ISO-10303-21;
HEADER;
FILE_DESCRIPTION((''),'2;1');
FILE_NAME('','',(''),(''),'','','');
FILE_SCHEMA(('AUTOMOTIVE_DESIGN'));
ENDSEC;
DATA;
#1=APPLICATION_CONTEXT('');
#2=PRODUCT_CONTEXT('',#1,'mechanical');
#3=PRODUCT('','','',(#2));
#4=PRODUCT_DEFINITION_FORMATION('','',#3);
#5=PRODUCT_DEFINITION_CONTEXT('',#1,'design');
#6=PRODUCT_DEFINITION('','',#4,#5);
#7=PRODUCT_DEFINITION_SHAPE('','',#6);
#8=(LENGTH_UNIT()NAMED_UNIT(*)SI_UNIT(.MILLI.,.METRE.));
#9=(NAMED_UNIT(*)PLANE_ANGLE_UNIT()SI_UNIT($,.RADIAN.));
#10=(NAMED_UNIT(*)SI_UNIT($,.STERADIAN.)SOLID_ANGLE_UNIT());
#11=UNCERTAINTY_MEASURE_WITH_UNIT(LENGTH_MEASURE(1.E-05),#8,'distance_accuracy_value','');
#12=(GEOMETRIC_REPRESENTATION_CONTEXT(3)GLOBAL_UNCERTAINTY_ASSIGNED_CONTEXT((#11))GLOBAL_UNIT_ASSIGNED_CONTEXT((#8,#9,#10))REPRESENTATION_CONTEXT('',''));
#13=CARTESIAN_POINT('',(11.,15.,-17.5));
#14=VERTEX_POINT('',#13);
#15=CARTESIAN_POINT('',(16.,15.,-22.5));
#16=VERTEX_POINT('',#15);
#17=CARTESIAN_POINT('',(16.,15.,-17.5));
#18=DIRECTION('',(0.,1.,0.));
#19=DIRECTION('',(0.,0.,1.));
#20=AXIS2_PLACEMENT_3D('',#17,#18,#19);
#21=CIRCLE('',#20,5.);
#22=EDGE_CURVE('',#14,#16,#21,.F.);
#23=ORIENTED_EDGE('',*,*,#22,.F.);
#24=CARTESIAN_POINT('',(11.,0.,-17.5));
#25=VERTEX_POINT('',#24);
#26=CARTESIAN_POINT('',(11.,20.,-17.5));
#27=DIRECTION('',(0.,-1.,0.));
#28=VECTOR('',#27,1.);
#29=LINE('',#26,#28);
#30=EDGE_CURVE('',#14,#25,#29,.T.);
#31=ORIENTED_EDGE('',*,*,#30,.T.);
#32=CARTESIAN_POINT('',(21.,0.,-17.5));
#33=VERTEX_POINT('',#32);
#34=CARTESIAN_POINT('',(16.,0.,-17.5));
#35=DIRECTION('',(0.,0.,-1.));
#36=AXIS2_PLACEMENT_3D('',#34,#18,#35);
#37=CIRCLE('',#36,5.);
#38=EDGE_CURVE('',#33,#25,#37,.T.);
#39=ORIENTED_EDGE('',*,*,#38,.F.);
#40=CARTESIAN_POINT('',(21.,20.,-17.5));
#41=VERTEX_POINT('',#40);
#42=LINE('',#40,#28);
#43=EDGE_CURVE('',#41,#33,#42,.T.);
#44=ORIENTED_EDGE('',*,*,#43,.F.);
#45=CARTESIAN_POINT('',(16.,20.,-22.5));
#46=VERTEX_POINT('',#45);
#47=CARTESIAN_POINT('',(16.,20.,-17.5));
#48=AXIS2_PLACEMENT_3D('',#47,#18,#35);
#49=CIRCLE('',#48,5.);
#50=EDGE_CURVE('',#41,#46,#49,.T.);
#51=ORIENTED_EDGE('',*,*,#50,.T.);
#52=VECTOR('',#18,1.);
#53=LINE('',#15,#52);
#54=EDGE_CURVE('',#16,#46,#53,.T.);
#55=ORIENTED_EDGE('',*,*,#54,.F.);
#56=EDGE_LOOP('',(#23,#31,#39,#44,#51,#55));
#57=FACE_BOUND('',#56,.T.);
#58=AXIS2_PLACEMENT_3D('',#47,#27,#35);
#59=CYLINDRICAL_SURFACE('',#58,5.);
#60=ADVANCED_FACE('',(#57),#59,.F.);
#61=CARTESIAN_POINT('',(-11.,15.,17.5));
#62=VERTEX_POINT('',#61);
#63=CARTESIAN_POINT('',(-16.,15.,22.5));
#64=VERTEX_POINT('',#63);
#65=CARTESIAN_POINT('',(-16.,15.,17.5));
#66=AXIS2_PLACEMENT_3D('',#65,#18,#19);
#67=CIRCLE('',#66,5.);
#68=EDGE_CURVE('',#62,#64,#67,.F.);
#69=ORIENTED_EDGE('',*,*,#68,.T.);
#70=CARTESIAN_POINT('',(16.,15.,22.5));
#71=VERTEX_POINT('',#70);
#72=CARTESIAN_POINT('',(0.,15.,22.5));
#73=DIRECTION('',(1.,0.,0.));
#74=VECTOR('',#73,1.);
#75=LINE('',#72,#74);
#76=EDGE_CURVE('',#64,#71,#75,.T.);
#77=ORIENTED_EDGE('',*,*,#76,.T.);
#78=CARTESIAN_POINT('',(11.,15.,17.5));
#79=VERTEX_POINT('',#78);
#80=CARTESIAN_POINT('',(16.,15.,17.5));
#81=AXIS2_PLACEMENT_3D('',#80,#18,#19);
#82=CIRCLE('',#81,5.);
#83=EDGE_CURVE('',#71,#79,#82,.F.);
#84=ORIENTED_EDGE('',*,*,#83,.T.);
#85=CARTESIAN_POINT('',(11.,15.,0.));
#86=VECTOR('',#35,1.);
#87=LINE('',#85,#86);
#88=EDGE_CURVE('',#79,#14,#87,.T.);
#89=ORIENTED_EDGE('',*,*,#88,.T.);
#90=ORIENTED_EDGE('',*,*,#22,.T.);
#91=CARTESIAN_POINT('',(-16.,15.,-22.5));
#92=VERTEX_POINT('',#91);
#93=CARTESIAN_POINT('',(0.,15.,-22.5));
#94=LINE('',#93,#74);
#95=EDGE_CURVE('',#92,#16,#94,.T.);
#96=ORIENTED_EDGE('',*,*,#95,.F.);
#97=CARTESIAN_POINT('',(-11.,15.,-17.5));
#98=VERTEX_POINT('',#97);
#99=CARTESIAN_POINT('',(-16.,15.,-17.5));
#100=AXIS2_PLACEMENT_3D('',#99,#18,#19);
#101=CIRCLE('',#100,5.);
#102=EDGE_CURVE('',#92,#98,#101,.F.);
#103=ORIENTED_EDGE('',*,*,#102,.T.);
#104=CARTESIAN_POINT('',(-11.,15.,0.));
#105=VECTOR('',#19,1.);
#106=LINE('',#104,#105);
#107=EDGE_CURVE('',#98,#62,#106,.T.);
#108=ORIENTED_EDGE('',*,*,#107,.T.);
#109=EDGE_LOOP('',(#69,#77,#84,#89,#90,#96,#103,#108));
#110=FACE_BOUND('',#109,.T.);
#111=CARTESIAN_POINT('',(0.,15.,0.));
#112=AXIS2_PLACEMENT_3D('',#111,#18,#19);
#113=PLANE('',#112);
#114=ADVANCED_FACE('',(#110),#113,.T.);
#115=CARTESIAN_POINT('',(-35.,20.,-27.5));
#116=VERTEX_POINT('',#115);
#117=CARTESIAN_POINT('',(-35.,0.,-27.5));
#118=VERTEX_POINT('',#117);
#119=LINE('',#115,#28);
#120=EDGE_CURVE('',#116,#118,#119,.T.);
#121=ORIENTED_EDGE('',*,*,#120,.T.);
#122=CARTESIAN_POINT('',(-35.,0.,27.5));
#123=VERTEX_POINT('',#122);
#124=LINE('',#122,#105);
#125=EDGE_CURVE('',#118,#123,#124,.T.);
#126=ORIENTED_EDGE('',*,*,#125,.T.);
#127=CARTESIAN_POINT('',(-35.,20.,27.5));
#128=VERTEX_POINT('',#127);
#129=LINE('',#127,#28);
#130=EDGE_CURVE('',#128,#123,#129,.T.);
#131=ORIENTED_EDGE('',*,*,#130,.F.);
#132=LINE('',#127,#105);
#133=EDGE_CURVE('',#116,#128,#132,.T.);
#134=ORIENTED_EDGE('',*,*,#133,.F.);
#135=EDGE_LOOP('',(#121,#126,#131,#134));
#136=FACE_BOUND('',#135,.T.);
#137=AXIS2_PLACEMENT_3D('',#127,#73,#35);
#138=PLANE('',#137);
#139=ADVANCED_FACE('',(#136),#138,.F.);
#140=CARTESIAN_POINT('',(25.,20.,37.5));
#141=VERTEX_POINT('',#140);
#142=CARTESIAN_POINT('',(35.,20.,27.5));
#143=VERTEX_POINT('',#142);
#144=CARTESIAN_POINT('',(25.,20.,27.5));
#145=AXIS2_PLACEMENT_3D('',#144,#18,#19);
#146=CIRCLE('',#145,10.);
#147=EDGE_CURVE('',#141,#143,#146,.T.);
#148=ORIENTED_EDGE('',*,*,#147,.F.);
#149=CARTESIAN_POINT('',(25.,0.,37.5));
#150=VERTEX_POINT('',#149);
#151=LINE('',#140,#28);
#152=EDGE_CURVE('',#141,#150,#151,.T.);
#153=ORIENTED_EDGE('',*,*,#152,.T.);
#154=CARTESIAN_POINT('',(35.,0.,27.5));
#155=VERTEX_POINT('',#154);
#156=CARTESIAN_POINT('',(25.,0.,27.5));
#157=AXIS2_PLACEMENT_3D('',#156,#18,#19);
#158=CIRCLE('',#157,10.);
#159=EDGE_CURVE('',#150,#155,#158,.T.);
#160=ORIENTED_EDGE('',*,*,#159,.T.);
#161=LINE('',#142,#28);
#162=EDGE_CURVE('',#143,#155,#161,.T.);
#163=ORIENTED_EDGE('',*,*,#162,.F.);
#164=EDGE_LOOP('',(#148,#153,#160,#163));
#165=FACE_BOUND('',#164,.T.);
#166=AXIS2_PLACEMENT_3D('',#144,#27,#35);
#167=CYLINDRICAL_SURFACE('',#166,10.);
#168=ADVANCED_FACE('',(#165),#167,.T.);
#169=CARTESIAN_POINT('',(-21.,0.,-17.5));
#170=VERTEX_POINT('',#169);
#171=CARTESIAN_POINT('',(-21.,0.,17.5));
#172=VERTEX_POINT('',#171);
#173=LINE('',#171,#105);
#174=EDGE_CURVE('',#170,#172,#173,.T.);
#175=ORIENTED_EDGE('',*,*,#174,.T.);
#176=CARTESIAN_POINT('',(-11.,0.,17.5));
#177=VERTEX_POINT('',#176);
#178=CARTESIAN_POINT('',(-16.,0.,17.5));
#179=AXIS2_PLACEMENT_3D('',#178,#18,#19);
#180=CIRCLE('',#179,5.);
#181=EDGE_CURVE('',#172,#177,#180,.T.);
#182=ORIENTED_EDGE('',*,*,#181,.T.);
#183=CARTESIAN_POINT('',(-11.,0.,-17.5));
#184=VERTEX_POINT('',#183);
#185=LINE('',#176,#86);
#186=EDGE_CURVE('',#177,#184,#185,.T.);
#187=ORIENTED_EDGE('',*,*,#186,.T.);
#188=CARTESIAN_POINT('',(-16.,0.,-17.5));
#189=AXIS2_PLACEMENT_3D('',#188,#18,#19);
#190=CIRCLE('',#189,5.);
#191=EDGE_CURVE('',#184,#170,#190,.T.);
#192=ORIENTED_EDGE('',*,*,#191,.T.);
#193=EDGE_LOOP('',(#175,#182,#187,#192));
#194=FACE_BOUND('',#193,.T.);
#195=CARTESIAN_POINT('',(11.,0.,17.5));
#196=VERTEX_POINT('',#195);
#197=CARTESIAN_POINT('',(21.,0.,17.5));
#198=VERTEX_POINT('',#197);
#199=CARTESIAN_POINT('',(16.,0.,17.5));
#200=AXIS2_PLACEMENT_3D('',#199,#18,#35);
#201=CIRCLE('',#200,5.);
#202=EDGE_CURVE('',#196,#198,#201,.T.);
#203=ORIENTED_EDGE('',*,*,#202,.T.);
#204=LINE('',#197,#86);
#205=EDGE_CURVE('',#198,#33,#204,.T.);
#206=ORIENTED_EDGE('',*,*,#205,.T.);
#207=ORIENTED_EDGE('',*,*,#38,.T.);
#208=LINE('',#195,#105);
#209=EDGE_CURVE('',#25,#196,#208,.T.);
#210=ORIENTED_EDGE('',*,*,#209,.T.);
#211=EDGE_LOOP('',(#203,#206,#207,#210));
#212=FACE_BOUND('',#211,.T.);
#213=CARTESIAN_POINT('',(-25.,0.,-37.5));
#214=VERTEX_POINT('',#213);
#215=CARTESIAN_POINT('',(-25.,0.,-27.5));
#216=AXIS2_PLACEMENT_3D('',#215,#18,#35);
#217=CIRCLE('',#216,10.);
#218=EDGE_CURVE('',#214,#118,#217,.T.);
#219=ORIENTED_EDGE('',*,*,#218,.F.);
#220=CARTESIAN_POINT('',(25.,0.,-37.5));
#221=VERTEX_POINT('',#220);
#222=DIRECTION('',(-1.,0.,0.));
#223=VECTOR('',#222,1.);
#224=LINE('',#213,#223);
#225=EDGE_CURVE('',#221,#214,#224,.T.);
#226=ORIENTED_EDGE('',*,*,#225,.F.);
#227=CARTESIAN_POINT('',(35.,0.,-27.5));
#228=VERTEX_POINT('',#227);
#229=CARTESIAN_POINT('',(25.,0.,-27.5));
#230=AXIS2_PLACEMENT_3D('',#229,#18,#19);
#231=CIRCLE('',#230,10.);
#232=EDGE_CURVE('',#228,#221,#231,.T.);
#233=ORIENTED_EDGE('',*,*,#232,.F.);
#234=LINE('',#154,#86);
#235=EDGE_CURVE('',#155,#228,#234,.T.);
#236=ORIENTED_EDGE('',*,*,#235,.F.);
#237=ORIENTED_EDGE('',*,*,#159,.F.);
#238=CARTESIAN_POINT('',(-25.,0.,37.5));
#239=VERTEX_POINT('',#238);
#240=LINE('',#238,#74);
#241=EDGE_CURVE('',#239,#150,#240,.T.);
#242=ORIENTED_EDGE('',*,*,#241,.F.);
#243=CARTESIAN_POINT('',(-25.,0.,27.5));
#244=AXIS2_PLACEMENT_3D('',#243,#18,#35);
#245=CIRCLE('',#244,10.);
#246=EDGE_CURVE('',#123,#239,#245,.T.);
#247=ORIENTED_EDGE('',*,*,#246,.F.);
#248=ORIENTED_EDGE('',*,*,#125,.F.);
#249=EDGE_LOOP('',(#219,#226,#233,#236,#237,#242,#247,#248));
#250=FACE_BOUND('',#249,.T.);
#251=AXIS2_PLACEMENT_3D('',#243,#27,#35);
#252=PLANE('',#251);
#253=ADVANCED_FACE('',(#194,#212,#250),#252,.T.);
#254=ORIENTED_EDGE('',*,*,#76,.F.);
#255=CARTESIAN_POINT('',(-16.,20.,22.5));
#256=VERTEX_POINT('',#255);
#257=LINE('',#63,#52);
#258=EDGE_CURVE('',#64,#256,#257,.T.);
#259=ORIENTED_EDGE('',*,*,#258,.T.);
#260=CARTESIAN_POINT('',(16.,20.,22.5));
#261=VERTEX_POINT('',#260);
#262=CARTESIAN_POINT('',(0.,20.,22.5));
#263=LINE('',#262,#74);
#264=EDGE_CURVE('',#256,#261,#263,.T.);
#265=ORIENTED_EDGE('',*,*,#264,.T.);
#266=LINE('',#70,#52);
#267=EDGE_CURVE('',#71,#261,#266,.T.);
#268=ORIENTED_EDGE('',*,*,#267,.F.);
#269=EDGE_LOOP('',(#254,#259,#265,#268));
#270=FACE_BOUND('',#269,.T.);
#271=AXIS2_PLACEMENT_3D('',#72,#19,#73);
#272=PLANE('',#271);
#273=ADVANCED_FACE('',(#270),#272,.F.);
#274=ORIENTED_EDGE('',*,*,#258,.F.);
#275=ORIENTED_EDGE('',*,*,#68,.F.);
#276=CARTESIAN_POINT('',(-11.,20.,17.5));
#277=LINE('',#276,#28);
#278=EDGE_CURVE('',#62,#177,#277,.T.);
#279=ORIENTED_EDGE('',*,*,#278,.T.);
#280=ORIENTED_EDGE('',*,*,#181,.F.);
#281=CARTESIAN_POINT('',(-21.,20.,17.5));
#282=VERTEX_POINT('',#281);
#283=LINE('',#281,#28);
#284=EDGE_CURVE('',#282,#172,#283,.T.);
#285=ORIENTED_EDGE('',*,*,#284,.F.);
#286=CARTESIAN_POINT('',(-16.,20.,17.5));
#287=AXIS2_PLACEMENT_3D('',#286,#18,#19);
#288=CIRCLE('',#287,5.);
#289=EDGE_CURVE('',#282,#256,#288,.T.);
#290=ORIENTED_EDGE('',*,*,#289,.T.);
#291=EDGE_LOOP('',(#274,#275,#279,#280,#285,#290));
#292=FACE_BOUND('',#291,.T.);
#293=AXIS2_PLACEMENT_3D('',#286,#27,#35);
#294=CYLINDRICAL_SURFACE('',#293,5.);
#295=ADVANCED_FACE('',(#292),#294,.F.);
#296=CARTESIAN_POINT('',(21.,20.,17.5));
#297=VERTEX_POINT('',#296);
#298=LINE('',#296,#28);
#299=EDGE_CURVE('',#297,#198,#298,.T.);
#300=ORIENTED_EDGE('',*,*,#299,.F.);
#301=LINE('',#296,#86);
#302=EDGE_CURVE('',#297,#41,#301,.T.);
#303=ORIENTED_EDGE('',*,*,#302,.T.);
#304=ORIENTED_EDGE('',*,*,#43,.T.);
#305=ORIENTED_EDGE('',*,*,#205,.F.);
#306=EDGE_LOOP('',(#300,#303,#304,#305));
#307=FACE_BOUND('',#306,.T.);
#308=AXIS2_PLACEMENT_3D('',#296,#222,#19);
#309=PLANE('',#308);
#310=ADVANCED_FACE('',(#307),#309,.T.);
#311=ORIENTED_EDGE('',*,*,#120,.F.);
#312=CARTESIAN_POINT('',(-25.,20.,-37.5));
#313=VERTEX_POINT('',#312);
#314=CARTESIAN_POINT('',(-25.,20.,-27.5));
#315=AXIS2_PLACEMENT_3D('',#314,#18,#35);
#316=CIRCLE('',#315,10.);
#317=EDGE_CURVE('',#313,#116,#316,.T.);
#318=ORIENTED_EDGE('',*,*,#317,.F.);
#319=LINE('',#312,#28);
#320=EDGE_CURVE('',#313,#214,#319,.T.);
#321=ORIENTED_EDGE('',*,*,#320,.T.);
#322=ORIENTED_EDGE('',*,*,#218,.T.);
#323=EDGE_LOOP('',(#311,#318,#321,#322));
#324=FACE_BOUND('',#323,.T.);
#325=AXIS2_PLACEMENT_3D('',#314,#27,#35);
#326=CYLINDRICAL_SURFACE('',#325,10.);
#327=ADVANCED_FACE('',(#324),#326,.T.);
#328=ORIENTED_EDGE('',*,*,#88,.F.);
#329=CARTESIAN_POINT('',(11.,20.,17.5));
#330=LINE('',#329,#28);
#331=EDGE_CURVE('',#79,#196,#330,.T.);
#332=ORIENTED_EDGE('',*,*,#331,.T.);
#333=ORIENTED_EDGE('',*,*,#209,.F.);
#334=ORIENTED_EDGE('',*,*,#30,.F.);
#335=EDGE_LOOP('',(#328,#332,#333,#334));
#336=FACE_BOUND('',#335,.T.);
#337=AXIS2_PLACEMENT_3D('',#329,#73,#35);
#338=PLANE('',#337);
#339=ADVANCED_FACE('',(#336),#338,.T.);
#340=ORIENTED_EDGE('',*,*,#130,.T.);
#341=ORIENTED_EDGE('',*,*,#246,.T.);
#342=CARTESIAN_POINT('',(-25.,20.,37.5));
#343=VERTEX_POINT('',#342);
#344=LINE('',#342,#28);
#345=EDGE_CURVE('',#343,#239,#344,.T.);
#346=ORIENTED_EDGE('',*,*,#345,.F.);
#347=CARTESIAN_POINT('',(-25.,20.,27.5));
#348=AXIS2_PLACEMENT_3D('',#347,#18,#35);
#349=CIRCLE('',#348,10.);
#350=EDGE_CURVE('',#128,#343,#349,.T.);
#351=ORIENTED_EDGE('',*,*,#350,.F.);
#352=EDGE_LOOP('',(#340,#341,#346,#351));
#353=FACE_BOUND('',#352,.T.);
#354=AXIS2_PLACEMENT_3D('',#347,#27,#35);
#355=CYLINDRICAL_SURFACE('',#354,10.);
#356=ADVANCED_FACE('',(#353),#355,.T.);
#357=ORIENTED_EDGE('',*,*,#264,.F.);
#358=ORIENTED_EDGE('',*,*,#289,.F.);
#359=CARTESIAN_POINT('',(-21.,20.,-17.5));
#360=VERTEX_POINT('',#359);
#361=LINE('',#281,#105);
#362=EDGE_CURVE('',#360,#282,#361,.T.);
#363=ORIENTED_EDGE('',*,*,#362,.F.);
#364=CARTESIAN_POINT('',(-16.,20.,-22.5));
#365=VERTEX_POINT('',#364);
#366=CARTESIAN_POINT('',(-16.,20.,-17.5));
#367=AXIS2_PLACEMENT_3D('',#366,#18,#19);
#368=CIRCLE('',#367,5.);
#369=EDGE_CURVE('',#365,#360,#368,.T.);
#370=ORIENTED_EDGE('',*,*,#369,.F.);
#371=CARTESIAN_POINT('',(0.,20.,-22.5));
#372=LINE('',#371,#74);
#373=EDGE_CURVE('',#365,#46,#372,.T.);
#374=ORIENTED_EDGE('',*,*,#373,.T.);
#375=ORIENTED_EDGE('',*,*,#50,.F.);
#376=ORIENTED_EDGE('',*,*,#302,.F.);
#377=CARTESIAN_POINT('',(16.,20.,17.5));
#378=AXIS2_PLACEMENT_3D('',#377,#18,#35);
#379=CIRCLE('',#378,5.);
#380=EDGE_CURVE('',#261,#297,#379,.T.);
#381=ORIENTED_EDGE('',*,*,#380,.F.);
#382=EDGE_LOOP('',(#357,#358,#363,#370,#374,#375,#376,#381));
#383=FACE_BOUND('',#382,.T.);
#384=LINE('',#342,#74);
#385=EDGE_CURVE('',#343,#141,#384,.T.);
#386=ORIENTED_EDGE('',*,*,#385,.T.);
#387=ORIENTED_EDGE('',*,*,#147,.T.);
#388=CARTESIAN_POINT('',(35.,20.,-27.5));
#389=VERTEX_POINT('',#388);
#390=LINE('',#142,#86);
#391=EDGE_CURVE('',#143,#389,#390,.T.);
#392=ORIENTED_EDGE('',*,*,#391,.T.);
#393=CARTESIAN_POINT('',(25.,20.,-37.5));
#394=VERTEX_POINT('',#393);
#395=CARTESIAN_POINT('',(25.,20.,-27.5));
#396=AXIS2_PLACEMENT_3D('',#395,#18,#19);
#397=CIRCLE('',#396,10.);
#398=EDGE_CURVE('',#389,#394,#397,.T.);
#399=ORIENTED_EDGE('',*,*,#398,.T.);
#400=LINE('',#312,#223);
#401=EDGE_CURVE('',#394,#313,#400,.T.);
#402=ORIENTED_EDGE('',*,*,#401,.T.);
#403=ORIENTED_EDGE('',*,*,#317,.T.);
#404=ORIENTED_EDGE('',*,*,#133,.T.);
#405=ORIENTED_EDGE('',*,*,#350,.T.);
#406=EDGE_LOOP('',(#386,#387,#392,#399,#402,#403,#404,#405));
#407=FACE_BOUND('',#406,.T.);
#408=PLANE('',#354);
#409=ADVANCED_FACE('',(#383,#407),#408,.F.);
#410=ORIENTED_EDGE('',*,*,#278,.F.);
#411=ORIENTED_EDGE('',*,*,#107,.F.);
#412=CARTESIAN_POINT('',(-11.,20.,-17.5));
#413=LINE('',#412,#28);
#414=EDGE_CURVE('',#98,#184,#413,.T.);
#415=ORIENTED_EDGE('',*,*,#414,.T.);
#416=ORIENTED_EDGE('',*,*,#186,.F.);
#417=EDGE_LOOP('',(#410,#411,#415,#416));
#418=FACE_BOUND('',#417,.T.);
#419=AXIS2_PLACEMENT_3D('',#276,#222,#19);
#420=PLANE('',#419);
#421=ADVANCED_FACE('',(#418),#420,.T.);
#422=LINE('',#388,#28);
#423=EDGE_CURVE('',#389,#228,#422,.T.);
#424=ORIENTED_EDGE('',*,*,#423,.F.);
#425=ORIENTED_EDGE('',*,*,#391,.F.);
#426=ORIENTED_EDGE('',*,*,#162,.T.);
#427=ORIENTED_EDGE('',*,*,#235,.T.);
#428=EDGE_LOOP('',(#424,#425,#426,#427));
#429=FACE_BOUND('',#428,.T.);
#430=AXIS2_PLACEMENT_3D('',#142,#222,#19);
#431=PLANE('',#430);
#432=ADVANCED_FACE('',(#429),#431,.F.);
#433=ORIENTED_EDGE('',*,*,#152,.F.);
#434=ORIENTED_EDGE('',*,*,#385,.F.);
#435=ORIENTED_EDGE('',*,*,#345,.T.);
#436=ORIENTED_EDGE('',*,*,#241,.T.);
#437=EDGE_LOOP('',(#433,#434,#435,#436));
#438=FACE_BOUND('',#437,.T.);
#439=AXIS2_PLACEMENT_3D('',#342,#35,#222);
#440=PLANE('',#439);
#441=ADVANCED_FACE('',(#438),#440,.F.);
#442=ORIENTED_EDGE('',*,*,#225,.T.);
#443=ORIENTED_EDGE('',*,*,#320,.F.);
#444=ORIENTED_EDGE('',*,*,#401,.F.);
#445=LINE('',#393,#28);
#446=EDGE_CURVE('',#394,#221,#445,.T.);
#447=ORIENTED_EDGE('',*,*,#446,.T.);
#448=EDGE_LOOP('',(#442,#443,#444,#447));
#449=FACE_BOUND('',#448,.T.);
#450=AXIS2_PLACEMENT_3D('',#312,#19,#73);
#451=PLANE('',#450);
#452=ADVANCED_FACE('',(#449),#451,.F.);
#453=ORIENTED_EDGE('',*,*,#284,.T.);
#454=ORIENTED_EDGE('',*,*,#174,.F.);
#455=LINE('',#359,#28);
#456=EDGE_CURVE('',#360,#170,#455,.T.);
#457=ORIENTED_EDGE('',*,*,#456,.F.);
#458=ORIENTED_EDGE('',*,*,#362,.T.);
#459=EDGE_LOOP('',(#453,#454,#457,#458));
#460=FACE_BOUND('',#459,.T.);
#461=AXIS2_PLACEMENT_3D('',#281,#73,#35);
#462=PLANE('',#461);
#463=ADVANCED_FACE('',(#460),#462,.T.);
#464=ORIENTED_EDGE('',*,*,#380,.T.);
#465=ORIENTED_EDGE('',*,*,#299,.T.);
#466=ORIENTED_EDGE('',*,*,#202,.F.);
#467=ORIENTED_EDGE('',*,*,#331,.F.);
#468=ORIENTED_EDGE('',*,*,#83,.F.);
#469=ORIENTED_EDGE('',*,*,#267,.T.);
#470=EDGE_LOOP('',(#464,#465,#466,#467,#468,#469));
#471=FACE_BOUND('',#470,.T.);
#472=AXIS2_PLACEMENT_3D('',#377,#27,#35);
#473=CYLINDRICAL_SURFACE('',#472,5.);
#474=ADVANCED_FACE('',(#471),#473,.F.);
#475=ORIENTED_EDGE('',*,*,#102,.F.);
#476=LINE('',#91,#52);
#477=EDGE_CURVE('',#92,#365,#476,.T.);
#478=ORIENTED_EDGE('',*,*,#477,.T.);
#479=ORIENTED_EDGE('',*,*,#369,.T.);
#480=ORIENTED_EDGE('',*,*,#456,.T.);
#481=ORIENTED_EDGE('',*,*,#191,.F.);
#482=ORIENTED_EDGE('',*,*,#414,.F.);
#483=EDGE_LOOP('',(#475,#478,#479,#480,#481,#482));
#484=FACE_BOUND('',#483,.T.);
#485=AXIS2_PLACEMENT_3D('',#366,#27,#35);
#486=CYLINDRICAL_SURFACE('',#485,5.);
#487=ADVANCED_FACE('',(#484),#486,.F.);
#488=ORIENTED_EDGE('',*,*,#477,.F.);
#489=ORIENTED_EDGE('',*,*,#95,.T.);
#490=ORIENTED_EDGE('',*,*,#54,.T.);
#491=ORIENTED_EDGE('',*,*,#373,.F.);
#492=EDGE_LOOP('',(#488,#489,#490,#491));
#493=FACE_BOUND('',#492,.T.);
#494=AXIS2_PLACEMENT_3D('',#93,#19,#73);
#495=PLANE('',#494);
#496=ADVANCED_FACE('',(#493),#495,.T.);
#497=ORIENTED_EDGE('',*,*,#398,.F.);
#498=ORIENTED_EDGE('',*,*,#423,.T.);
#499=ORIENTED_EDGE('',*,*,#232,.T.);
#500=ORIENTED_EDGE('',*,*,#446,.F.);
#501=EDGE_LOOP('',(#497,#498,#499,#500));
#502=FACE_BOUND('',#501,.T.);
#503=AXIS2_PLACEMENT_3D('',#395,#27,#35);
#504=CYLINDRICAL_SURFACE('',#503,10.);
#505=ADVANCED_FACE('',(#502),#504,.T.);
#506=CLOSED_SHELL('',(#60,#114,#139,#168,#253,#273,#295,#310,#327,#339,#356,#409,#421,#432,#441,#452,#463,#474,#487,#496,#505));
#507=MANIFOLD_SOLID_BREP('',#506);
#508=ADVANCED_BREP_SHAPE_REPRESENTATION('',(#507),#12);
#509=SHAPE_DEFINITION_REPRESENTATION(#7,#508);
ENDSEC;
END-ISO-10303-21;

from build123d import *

# Parameters (mm, degrees)
BOSS_EXTRUDE1_DEPTH = 20
CUT_EXTRUDE1_DEPTH  = 5


with BuildPart() as part:
    # Sketch1 → Boss-Extrude1 (new body)
    with BuildSketch(Plane(origin=(0, 0, 0), x_dir=(1, 0, 0), z_dir=(0, 1, 0))):
        with BuildLine():
            Line((-25, -37.5), (25, -37.5))
            ThreePointArc((25, -37.5), (32.071067812, -34.571067812), (35, -27.5))
            Line((35, -27.5), (35, 27.5))
            ThreePointArc((35, 27.5), (32.071067812, 34.571067812), (25, 37.5))
            Line((25, 37.5), (-25, 37.5))
            ThreePointArc((-25, 37.5), (-32.071067812, 34.571067812), (-35, 27.5))
            Line((-35, 27.5), (-35, -27.5))
            ThreePointArc((-35, -27.5), (-32.071067812, -34.571067812), (-25, -37.5))
        make_face()
        with BuildLine():
            Line((-21, -17.5), (-21, 17.5))
            ThreePointArc((-21, 17.5), (-16, 22.5), (-11, 17.5))
            Line((-11, 17.5), (-11, -17.5))
            ThreePointArc((-11, -17.5), (-16, -22.5), (-21, -17.5))
        make_face(mode=Mode.SUBTRACT)
        with BuildLine():
            Line((21, -17.5), (21, 17.5))
            ThreePointArc((21, 17.5), (16, 22.5), (11, 17.5))
            Line((11, 17.5), (11, -17.5))
            ThreePointArc((11, -17.5), (16, -22.5), (21, -17.5))
        make_face(mode=Mode.SUBTRACT)
    extrude(amount=BOSS_EXTRUDE1_DEPTH)

    # Sketch2 → Cut-Extrude1 (cut)
    with BuildSketch(Plane(origin=(0, 20, 0), x_dir=(1, 0, 0), z_dir=(0, 1, 0))):
        with BuildLine():
            Line((-16, -22.5), (16, -22.5))
            ThreePointArc((16, -22.5), (12.464466094, -21.035533906), (11, -17.5))
            Line((11, -17.5), (11, 17.5))
            ThreePointArc((11, 17.5), (12.464466094, 21.035533906), (16, 22.5))
            Line((16, 22.5), (-16, 22.5))
            ThreePointArc((-16, 22.5), (-12.464466094, 21.035533906), (-11, 17.5))
            Line((-11, 17.5), (-11, -17.5))
            ThreePointArc((-11, -17.5), (-12.464466094, -21.035533906), (-16, -22.5))
        make_face()
    extrude(amount=-CUT_EXTRUDE1_DEPTH, mode=Mode.SUBTRACT)


solid = part.part
